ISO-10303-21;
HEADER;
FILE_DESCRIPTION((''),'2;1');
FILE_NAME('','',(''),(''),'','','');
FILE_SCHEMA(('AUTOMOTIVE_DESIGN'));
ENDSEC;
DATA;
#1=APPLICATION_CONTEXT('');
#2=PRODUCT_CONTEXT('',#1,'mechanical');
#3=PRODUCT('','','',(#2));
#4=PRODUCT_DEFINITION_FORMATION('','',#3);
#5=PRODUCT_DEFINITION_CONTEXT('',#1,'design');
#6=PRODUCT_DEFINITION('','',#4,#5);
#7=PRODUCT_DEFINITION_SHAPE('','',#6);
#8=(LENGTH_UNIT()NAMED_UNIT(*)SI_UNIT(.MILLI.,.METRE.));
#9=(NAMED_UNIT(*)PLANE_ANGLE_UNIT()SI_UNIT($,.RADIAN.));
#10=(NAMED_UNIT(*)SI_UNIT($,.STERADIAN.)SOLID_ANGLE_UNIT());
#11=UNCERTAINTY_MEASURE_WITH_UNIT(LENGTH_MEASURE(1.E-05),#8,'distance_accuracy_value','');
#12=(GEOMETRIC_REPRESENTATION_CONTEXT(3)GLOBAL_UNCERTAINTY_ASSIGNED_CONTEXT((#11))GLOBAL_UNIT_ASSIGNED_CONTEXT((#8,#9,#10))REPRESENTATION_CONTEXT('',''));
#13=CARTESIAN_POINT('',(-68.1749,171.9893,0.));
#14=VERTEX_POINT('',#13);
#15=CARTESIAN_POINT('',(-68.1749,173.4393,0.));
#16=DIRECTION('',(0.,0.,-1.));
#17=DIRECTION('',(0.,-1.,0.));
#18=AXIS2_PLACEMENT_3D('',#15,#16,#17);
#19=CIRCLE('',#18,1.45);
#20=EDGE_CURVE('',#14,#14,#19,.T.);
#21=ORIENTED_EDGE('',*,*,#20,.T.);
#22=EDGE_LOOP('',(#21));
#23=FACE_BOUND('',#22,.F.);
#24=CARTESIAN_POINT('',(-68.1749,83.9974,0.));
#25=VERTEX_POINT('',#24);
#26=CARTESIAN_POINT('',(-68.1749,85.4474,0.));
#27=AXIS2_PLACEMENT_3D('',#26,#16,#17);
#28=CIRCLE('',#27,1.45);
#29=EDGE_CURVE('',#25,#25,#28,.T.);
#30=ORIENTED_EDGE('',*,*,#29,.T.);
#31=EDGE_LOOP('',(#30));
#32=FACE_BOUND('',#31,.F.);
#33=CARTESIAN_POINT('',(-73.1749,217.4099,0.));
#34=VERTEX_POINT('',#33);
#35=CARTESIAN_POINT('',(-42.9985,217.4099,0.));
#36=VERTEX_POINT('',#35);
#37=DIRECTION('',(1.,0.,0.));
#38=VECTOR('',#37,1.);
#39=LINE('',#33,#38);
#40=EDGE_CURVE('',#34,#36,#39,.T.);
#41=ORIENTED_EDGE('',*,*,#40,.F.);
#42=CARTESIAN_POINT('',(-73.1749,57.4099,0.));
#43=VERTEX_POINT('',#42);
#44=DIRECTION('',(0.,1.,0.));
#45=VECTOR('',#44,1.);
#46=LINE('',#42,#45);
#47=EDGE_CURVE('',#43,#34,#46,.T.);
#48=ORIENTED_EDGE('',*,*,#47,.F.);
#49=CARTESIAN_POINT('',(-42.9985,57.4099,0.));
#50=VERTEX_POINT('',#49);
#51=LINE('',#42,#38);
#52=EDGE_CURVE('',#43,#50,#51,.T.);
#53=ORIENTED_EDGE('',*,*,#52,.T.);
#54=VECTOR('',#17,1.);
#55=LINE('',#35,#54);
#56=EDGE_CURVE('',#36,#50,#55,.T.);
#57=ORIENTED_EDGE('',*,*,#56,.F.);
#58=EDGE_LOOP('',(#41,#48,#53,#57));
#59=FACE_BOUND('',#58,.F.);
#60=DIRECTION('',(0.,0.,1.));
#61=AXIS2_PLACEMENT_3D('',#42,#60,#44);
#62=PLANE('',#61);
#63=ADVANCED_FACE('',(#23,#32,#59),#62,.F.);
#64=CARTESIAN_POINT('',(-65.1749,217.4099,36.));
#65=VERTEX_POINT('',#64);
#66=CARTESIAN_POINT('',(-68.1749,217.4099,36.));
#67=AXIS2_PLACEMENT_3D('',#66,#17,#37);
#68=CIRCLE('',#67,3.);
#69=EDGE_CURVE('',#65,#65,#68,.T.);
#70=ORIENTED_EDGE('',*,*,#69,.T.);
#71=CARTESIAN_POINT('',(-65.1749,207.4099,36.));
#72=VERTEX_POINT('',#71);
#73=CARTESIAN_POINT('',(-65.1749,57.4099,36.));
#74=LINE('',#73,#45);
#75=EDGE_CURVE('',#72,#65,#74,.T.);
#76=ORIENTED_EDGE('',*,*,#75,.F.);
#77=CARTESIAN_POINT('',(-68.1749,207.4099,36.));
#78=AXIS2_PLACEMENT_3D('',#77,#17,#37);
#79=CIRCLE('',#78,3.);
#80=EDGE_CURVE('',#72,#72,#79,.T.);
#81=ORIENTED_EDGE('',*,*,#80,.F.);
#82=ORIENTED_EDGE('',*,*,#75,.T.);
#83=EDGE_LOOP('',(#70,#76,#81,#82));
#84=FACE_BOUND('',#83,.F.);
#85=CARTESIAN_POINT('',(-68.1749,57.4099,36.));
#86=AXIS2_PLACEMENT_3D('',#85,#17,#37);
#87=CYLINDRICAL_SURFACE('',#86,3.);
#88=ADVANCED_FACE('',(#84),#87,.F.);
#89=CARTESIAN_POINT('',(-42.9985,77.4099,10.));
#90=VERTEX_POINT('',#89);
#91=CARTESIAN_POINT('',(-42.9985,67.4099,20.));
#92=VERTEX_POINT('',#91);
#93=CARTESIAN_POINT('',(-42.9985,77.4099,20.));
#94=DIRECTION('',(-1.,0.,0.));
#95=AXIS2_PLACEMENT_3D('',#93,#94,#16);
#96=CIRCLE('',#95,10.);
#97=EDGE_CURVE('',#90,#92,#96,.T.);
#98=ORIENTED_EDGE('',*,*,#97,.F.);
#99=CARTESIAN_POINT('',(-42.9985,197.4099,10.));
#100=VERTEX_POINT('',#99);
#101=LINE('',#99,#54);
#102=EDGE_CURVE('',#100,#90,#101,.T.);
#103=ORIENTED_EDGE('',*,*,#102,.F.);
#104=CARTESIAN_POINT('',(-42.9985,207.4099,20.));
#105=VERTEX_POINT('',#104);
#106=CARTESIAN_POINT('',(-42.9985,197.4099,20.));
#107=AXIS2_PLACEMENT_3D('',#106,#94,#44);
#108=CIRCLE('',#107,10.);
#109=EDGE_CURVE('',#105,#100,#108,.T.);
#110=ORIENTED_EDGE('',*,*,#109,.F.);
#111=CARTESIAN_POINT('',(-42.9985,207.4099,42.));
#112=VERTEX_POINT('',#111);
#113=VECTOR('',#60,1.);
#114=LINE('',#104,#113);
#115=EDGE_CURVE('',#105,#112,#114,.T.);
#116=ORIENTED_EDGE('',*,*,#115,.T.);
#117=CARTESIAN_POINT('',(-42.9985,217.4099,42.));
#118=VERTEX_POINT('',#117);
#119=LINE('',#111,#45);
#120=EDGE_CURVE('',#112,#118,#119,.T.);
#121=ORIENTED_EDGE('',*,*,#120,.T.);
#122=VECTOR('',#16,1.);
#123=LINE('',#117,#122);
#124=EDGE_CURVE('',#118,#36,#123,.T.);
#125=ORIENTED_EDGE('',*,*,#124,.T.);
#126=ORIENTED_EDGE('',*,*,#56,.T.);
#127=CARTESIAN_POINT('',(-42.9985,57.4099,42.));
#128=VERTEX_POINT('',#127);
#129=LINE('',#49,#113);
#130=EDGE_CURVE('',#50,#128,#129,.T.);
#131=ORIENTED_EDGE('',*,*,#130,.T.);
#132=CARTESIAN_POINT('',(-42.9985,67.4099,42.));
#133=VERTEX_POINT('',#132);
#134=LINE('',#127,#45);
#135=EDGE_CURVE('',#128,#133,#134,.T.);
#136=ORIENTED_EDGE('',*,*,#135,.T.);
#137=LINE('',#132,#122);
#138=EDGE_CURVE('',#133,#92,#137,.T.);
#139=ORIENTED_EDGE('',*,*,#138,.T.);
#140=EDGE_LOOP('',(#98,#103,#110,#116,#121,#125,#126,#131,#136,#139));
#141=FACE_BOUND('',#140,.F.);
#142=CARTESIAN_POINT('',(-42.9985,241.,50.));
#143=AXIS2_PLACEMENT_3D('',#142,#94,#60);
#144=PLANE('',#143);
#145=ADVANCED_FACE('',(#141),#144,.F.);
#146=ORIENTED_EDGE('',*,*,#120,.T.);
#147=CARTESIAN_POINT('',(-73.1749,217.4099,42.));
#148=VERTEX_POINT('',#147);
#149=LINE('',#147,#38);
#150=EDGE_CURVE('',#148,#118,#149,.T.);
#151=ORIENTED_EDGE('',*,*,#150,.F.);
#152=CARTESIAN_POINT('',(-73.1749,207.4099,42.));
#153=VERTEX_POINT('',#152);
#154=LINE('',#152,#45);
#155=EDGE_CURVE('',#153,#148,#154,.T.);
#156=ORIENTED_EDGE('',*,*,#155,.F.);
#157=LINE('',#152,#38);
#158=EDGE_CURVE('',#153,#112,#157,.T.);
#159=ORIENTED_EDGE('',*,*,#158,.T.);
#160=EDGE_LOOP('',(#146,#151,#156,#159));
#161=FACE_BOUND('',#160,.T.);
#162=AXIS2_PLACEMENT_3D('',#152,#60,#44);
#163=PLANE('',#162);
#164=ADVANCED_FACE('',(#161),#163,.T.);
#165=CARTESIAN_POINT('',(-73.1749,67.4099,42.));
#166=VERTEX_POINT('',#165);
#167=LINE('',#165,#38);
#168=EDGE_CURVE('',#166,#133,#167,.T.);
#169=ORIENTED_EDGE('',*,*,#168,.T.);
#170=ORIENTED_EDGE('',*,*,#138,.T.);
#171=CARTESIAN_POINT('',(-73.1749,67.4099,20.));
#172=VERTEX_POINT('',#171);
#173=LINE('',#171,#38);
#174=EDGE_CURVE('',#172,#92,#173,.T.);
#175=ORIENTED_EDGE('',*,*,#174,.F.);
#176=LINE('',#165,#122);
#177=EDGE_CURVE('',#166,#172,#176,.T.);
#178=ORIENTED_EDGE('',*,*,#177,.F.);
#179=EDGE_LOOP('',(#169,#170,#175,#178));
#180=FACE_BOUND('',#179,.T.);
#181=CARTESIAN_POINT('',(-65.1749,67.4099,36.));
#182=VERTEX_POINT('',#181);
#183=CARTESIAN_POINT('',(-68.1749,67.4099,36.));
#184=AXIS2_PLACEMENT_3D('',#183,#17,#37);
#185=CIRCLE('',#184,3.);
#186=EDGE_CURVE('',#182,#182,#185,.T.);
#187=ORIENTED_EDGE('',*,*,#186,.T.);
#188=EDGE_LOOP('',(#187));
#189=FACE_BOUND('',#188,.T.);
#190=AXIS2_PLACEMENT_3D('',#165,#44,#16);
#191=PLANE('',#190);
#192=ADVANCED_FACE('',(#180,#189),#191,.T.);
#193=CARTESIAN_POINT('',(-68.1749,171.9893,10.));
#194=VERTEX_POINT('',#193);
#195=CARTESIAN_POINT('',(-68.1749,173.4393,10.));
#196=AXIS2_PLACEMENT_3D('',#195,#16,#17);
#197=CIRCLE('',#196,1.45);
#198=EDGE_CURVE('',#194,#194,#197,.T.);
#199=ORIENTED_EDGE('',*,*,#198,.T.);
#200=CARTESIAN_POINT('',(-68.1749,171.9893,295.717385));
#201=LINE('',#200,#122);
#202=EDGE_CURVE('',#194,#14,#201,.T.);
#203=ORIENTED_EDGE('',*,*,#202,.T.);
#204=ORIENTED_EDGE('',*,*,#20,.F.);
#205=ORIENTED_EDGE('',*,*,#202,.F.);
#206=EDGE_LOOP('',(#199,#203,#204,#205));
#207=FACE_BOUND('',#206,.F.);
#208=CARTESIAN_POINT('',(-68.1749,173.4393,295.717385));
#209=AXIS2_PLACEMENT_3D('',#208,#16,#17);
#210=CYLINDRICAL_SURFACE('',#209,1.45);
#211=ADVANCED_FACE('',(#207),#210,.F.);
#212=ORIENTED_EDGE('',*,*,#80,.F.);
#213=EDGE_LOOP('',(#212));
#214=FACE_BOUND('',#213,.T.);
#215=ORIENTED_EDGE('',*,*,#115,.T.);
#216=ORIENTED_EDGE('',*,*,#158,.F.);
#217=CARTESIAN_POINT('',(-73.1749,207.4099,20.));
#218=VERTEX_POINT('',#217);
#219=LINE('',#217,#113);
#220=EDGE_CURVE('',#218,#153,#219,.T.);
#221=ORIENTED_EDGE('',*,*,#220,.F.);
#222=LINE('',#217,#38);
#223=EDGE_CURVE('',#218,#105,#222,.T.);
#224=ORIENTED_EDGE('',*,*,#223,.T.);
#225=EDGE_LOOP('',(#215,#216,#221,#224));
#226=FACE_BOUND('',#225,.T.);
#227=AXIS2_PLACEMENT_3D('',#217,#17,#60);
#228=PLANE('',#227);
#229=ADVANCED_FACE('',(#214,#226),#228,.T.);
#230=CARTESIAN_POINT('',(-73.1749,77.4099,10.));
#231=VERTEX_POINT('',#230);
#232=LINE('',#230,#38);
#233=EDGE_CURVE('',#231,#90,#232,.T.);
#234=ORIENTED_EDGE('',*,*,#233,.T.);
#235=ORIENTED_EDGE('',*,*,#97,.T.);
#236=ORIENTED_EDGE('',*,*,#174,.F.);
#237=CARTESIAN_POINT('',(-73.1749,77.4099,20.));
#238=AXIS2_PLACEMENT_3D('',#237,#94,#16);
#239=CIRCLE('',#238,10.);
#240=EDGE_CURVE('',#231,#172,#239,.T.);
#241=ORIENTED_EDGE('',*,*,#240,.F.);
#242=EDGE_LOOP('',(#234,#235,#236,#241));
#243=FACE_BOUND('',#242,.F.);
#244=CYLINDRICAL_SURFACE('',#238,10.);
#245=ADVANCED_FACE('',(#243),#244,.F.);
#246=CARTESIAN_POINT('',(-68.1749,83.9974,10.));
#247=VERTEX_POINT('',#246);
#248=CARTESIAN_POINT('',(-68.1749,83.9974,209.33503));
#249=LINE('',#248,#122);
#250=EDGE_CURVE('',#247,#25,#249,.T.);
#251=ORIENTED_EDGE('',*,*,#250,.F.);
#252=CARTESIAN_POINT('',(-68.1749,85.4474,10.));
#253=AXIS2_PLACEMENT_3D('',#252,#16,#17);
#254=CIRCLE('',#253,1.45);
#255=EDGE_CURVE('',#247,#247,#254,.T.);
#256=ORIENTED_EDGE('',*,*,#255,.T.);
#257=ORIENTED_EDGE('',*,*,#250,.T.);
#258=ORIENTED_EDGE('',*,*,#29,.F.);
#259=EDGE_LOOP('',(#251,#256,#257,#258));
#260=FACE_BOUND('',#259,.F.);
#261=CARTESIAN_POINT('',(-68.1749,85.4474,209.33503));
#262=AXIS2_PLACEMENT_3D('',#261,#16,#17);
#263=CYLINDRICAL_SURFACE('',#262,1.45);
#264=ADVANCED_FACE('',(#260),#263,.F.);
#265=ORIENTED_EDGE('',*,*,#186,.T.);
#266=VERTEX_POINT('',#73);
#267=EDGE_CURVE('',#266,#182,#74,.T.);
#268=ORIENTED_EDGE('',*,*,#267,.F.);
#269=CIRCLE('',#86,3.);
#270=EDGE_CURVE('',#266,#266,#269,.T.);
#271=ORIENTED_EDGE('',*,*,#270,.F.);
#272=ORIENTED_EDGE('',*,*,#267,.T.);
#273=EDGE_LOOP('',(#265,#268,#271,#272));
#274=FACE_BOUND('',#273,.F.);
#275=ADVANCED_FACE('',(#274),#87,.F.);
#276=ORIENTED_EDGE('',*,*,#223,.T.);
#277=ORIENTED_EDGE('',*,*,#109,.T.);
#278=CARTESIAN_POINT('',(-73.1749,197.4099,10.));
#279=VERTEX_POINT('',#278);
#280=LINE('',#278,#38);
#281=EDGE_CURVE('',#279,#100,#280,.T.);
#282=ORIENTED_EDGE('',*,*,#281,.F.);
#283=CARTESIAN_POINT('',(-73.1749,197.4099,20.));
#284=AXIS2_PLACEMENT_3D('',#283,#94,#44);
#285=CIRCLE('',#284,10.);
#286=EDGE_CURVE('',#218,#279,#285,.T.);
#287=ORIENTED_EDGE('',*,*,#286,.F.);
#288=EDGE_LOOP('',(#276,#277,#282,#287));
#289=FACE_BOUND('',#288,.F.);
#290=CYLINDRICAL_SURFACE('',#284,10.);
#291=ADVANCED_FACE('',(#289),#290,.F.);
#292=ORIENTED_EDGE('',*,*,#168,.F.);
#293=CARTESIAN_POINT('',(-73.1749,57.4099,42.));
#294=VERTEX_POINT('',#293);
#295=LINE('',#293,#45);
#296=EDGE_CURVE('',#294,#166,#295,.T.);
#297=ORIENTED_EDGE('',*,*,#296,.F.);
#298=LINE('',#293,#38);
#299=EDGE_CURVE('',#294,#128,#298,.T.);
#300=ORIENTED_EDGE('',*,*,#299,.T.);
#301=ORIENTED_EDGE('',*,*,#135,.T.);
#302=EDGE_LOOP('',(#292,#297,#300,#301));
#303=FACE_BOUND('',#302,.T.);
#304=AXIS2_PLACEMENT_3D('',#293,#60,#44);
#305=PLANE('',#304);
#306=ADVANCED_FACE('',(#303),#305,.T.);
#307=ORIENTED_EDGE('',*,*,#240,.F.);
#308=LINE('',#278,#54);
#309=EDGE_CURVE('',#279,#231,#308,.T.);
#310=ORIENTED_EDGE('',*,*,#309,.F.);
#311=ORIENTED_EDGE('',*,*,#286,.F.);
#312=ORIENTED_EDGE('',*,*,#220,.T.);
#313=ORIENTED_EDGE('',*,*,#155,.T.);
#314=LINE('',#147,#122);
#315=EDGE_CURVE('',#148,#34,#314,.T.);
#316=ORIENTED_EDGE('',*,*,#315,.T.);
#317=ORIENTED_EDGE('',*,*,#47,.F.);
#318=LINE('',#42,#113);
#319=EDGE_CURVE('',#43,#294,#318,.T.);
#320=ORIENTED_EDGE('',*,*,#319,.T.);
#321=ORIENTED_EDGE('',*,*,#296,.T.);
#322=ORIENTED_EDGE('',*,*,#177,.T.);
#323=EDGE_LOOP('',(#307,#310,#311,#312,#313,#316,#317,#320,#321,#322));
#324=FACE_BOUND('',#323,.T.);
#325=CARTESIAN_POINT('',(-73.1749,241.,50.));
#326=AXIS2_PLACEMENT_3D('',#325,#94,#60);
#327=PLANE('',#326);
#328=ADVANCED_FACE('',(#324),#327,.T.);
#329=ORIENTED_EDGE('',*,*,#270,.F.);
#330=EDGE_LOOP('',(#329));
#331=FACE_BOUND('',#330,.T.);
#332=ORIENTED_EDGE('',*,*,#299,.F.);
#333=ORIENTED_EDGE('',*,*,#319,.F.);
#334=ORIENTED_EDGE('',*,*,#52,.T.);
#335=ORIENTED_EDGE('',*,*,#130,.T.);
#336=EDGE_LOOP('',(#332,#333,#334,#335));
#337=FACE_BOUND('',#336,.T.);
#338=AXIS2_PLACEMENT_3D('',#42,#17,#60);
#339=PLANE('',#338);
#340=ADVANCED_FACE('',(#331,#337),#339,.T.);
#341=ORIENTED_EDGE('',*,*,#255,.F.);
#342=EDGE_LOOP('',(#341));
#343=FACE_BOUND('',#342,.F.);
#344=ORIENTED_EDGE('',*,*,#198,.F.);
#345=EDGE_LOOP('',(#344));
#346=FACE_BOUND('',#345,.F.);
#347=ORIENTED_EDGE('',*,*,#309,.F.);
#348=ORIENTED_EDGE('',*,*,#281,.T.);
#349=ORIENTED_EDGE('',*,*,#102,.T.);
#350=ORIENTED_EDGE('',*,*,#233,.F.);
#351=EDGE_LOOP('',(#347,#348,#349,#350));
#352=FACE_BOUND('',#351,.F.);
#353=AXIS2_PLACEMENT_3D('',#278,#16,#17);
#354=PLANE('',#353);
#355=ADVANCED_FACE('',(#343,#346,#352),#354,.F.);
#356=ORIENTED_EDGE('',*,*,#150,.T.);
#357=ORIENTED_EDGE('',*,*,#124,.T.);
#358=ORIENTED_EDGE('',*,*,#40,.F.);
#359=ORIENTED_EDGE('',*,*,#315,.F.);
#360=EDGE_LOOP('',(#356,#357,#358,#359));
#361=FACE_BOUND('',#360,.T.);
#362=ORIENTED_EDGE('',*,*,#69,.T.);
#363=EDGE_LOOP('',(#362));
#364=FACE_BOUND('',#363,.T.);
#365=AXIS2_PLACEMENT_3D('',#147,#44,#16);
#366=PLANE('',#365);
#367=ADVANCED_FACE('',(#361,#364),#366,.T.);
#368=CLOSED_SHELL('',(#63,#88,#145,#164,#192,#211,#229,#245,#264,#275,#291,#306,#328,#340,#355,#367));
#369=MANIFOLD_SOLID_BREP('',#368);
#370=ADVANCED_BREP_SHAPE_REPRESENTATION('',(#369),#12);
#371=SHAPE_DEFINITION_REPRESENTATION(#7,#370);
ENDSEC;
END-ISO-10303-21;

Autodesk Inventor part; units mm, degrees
ref_plane "YZ Plane" through (0, 0, 0) normal (1, 0, 0) x (0, 1, 0)
ref_plane "XZ Plane" through (0, 0, 0) normal (0, 1, 0) x (-1, 0, 0)
ref_plane "Work Plane1" through (-73.1749, 241, 50) normal (-1, 0, 0) x (0, 0, 1)
sketch "Sketch1" plane through (-73.1749, 241, 50) normal (-1, 0, 0) x (0, 0, 1)
  line L0 (-50, -231) -> (-64, -231) projected
  line L1 (-50, -231) -> (-50, -20) projected
  arc A0 (-40, -10) -> (-50, -20) centre (-40, -20) ccw projected
  line L2 (0, -10) -> (-40, -10) projected
  line L3 (0, 0) -> (0, -10) projected
  line L4 (-64, 0) -> (0, 0) projected
  line L5 (-64, 0) -> (-64, -231) projected
  circle A1 centre (-21.5, -69.8271) radius 4 construction
  line L6 (-11, -56.6947) -> (-11, -84.1618) construction
  line L7 (-8, -23.5901) -> (-50, -23.5901)
  line L8 (-50, -23.5901) -> (-50, -33.5901)
  line L9 (-30, -33.5901) -> (-8, -33.5901)
  line L10 (-8, -33.5901) -> (-8, -23.5901)
  line L11 (-50, -183.5901) -> (-8, -183.5901)
  line L12 (-8, -183.5901) -> (-8, -173.5901)
  line L13 (-8, -173.5901) -> (-30, -173.5901)
  line L14 (-50, -173.5901) -> (-50, -183.5901)
  line L15 (-50, -33.5901) -> (-40, -33.5901)
  line L16 (-40, -43.5901) -> (-40, -163.5901)
  line L17 (-40, -173.5901) -> (-50, -173.5901)
  line L18 (-50, -173.5901) -> (-50, -33.5901)
  arc A2 (-30, -33.5901) -> (-40, -43.5901) centre (-30, -43.5901) ccw
  arc A3 (-40, -163.5901) -> (-30, -173.5901) centre (-30, -163.5901) ccw
  point P0 (-50, -241)
  dimension "d0" = 10
  dimension "d1" = 10
  dimension "d2" = 42
  dimension "d3" = 10
  dimension "d4" = 140
  dimension "d5" = 10
  dimension "d18" = 0
ref_plane "Work Plane2" through (-42.9985, 19.9999, -14.0003) normal (1, 0, 0) x (0, 1, 0)
extrude "Extrusion1" add sketch "Sketch1" against normal up to surface (30.1764 mm away) contours L1 L7 L10 L9 A2 L16 A3 L13 L12 L11
sketch "Sketch2" plane through (-73.1749, 57.4099, 0) normal (0, -1, 0) x (1, 0, 0)
  line L0 (30.1764, 0) -> (30.1764, 42) projected
  line L1 (0, 42) -> (30.1764, 42) projected
  line L2 (0, 0) -> (0, 42) projected
  line L3 (0, 0) -> (30.1764, 0) projected
  circle A0 centre (5, 36) radius 3
  line L4 (0, 42) -> (30.1764, 42) projected
  point P0 (73.1749, 0)
  dimension "d8" = 6
  dimension "d19" = 6
extrude "Extrusion2" cut sketch "Sketch2" against normal through all contours A0
sketch "Sketch3" plane through (-73.1749, 77.4099, 10) normal (0, 0, 1) x (1, 0, 0)
  arc A0 (7, 91.7198) -> (7, 90.4353) centre (5.7, 91.0776) ccw projected
  circle A1 centre (5, 96.0295) radius 1.4 projected
  circle A2 centre (5, 8.0376) radius 1.4 projected
  point P0 (73.1749, -77.4099)
hole "Hole1" at (-68.1749, 173.4393, 10) at (-68.1749, 85.4474, 10) direction (0, 0, -1) diameter 2.9 end through all both
properties part number "15_Opentrons_Additional_Slide"
